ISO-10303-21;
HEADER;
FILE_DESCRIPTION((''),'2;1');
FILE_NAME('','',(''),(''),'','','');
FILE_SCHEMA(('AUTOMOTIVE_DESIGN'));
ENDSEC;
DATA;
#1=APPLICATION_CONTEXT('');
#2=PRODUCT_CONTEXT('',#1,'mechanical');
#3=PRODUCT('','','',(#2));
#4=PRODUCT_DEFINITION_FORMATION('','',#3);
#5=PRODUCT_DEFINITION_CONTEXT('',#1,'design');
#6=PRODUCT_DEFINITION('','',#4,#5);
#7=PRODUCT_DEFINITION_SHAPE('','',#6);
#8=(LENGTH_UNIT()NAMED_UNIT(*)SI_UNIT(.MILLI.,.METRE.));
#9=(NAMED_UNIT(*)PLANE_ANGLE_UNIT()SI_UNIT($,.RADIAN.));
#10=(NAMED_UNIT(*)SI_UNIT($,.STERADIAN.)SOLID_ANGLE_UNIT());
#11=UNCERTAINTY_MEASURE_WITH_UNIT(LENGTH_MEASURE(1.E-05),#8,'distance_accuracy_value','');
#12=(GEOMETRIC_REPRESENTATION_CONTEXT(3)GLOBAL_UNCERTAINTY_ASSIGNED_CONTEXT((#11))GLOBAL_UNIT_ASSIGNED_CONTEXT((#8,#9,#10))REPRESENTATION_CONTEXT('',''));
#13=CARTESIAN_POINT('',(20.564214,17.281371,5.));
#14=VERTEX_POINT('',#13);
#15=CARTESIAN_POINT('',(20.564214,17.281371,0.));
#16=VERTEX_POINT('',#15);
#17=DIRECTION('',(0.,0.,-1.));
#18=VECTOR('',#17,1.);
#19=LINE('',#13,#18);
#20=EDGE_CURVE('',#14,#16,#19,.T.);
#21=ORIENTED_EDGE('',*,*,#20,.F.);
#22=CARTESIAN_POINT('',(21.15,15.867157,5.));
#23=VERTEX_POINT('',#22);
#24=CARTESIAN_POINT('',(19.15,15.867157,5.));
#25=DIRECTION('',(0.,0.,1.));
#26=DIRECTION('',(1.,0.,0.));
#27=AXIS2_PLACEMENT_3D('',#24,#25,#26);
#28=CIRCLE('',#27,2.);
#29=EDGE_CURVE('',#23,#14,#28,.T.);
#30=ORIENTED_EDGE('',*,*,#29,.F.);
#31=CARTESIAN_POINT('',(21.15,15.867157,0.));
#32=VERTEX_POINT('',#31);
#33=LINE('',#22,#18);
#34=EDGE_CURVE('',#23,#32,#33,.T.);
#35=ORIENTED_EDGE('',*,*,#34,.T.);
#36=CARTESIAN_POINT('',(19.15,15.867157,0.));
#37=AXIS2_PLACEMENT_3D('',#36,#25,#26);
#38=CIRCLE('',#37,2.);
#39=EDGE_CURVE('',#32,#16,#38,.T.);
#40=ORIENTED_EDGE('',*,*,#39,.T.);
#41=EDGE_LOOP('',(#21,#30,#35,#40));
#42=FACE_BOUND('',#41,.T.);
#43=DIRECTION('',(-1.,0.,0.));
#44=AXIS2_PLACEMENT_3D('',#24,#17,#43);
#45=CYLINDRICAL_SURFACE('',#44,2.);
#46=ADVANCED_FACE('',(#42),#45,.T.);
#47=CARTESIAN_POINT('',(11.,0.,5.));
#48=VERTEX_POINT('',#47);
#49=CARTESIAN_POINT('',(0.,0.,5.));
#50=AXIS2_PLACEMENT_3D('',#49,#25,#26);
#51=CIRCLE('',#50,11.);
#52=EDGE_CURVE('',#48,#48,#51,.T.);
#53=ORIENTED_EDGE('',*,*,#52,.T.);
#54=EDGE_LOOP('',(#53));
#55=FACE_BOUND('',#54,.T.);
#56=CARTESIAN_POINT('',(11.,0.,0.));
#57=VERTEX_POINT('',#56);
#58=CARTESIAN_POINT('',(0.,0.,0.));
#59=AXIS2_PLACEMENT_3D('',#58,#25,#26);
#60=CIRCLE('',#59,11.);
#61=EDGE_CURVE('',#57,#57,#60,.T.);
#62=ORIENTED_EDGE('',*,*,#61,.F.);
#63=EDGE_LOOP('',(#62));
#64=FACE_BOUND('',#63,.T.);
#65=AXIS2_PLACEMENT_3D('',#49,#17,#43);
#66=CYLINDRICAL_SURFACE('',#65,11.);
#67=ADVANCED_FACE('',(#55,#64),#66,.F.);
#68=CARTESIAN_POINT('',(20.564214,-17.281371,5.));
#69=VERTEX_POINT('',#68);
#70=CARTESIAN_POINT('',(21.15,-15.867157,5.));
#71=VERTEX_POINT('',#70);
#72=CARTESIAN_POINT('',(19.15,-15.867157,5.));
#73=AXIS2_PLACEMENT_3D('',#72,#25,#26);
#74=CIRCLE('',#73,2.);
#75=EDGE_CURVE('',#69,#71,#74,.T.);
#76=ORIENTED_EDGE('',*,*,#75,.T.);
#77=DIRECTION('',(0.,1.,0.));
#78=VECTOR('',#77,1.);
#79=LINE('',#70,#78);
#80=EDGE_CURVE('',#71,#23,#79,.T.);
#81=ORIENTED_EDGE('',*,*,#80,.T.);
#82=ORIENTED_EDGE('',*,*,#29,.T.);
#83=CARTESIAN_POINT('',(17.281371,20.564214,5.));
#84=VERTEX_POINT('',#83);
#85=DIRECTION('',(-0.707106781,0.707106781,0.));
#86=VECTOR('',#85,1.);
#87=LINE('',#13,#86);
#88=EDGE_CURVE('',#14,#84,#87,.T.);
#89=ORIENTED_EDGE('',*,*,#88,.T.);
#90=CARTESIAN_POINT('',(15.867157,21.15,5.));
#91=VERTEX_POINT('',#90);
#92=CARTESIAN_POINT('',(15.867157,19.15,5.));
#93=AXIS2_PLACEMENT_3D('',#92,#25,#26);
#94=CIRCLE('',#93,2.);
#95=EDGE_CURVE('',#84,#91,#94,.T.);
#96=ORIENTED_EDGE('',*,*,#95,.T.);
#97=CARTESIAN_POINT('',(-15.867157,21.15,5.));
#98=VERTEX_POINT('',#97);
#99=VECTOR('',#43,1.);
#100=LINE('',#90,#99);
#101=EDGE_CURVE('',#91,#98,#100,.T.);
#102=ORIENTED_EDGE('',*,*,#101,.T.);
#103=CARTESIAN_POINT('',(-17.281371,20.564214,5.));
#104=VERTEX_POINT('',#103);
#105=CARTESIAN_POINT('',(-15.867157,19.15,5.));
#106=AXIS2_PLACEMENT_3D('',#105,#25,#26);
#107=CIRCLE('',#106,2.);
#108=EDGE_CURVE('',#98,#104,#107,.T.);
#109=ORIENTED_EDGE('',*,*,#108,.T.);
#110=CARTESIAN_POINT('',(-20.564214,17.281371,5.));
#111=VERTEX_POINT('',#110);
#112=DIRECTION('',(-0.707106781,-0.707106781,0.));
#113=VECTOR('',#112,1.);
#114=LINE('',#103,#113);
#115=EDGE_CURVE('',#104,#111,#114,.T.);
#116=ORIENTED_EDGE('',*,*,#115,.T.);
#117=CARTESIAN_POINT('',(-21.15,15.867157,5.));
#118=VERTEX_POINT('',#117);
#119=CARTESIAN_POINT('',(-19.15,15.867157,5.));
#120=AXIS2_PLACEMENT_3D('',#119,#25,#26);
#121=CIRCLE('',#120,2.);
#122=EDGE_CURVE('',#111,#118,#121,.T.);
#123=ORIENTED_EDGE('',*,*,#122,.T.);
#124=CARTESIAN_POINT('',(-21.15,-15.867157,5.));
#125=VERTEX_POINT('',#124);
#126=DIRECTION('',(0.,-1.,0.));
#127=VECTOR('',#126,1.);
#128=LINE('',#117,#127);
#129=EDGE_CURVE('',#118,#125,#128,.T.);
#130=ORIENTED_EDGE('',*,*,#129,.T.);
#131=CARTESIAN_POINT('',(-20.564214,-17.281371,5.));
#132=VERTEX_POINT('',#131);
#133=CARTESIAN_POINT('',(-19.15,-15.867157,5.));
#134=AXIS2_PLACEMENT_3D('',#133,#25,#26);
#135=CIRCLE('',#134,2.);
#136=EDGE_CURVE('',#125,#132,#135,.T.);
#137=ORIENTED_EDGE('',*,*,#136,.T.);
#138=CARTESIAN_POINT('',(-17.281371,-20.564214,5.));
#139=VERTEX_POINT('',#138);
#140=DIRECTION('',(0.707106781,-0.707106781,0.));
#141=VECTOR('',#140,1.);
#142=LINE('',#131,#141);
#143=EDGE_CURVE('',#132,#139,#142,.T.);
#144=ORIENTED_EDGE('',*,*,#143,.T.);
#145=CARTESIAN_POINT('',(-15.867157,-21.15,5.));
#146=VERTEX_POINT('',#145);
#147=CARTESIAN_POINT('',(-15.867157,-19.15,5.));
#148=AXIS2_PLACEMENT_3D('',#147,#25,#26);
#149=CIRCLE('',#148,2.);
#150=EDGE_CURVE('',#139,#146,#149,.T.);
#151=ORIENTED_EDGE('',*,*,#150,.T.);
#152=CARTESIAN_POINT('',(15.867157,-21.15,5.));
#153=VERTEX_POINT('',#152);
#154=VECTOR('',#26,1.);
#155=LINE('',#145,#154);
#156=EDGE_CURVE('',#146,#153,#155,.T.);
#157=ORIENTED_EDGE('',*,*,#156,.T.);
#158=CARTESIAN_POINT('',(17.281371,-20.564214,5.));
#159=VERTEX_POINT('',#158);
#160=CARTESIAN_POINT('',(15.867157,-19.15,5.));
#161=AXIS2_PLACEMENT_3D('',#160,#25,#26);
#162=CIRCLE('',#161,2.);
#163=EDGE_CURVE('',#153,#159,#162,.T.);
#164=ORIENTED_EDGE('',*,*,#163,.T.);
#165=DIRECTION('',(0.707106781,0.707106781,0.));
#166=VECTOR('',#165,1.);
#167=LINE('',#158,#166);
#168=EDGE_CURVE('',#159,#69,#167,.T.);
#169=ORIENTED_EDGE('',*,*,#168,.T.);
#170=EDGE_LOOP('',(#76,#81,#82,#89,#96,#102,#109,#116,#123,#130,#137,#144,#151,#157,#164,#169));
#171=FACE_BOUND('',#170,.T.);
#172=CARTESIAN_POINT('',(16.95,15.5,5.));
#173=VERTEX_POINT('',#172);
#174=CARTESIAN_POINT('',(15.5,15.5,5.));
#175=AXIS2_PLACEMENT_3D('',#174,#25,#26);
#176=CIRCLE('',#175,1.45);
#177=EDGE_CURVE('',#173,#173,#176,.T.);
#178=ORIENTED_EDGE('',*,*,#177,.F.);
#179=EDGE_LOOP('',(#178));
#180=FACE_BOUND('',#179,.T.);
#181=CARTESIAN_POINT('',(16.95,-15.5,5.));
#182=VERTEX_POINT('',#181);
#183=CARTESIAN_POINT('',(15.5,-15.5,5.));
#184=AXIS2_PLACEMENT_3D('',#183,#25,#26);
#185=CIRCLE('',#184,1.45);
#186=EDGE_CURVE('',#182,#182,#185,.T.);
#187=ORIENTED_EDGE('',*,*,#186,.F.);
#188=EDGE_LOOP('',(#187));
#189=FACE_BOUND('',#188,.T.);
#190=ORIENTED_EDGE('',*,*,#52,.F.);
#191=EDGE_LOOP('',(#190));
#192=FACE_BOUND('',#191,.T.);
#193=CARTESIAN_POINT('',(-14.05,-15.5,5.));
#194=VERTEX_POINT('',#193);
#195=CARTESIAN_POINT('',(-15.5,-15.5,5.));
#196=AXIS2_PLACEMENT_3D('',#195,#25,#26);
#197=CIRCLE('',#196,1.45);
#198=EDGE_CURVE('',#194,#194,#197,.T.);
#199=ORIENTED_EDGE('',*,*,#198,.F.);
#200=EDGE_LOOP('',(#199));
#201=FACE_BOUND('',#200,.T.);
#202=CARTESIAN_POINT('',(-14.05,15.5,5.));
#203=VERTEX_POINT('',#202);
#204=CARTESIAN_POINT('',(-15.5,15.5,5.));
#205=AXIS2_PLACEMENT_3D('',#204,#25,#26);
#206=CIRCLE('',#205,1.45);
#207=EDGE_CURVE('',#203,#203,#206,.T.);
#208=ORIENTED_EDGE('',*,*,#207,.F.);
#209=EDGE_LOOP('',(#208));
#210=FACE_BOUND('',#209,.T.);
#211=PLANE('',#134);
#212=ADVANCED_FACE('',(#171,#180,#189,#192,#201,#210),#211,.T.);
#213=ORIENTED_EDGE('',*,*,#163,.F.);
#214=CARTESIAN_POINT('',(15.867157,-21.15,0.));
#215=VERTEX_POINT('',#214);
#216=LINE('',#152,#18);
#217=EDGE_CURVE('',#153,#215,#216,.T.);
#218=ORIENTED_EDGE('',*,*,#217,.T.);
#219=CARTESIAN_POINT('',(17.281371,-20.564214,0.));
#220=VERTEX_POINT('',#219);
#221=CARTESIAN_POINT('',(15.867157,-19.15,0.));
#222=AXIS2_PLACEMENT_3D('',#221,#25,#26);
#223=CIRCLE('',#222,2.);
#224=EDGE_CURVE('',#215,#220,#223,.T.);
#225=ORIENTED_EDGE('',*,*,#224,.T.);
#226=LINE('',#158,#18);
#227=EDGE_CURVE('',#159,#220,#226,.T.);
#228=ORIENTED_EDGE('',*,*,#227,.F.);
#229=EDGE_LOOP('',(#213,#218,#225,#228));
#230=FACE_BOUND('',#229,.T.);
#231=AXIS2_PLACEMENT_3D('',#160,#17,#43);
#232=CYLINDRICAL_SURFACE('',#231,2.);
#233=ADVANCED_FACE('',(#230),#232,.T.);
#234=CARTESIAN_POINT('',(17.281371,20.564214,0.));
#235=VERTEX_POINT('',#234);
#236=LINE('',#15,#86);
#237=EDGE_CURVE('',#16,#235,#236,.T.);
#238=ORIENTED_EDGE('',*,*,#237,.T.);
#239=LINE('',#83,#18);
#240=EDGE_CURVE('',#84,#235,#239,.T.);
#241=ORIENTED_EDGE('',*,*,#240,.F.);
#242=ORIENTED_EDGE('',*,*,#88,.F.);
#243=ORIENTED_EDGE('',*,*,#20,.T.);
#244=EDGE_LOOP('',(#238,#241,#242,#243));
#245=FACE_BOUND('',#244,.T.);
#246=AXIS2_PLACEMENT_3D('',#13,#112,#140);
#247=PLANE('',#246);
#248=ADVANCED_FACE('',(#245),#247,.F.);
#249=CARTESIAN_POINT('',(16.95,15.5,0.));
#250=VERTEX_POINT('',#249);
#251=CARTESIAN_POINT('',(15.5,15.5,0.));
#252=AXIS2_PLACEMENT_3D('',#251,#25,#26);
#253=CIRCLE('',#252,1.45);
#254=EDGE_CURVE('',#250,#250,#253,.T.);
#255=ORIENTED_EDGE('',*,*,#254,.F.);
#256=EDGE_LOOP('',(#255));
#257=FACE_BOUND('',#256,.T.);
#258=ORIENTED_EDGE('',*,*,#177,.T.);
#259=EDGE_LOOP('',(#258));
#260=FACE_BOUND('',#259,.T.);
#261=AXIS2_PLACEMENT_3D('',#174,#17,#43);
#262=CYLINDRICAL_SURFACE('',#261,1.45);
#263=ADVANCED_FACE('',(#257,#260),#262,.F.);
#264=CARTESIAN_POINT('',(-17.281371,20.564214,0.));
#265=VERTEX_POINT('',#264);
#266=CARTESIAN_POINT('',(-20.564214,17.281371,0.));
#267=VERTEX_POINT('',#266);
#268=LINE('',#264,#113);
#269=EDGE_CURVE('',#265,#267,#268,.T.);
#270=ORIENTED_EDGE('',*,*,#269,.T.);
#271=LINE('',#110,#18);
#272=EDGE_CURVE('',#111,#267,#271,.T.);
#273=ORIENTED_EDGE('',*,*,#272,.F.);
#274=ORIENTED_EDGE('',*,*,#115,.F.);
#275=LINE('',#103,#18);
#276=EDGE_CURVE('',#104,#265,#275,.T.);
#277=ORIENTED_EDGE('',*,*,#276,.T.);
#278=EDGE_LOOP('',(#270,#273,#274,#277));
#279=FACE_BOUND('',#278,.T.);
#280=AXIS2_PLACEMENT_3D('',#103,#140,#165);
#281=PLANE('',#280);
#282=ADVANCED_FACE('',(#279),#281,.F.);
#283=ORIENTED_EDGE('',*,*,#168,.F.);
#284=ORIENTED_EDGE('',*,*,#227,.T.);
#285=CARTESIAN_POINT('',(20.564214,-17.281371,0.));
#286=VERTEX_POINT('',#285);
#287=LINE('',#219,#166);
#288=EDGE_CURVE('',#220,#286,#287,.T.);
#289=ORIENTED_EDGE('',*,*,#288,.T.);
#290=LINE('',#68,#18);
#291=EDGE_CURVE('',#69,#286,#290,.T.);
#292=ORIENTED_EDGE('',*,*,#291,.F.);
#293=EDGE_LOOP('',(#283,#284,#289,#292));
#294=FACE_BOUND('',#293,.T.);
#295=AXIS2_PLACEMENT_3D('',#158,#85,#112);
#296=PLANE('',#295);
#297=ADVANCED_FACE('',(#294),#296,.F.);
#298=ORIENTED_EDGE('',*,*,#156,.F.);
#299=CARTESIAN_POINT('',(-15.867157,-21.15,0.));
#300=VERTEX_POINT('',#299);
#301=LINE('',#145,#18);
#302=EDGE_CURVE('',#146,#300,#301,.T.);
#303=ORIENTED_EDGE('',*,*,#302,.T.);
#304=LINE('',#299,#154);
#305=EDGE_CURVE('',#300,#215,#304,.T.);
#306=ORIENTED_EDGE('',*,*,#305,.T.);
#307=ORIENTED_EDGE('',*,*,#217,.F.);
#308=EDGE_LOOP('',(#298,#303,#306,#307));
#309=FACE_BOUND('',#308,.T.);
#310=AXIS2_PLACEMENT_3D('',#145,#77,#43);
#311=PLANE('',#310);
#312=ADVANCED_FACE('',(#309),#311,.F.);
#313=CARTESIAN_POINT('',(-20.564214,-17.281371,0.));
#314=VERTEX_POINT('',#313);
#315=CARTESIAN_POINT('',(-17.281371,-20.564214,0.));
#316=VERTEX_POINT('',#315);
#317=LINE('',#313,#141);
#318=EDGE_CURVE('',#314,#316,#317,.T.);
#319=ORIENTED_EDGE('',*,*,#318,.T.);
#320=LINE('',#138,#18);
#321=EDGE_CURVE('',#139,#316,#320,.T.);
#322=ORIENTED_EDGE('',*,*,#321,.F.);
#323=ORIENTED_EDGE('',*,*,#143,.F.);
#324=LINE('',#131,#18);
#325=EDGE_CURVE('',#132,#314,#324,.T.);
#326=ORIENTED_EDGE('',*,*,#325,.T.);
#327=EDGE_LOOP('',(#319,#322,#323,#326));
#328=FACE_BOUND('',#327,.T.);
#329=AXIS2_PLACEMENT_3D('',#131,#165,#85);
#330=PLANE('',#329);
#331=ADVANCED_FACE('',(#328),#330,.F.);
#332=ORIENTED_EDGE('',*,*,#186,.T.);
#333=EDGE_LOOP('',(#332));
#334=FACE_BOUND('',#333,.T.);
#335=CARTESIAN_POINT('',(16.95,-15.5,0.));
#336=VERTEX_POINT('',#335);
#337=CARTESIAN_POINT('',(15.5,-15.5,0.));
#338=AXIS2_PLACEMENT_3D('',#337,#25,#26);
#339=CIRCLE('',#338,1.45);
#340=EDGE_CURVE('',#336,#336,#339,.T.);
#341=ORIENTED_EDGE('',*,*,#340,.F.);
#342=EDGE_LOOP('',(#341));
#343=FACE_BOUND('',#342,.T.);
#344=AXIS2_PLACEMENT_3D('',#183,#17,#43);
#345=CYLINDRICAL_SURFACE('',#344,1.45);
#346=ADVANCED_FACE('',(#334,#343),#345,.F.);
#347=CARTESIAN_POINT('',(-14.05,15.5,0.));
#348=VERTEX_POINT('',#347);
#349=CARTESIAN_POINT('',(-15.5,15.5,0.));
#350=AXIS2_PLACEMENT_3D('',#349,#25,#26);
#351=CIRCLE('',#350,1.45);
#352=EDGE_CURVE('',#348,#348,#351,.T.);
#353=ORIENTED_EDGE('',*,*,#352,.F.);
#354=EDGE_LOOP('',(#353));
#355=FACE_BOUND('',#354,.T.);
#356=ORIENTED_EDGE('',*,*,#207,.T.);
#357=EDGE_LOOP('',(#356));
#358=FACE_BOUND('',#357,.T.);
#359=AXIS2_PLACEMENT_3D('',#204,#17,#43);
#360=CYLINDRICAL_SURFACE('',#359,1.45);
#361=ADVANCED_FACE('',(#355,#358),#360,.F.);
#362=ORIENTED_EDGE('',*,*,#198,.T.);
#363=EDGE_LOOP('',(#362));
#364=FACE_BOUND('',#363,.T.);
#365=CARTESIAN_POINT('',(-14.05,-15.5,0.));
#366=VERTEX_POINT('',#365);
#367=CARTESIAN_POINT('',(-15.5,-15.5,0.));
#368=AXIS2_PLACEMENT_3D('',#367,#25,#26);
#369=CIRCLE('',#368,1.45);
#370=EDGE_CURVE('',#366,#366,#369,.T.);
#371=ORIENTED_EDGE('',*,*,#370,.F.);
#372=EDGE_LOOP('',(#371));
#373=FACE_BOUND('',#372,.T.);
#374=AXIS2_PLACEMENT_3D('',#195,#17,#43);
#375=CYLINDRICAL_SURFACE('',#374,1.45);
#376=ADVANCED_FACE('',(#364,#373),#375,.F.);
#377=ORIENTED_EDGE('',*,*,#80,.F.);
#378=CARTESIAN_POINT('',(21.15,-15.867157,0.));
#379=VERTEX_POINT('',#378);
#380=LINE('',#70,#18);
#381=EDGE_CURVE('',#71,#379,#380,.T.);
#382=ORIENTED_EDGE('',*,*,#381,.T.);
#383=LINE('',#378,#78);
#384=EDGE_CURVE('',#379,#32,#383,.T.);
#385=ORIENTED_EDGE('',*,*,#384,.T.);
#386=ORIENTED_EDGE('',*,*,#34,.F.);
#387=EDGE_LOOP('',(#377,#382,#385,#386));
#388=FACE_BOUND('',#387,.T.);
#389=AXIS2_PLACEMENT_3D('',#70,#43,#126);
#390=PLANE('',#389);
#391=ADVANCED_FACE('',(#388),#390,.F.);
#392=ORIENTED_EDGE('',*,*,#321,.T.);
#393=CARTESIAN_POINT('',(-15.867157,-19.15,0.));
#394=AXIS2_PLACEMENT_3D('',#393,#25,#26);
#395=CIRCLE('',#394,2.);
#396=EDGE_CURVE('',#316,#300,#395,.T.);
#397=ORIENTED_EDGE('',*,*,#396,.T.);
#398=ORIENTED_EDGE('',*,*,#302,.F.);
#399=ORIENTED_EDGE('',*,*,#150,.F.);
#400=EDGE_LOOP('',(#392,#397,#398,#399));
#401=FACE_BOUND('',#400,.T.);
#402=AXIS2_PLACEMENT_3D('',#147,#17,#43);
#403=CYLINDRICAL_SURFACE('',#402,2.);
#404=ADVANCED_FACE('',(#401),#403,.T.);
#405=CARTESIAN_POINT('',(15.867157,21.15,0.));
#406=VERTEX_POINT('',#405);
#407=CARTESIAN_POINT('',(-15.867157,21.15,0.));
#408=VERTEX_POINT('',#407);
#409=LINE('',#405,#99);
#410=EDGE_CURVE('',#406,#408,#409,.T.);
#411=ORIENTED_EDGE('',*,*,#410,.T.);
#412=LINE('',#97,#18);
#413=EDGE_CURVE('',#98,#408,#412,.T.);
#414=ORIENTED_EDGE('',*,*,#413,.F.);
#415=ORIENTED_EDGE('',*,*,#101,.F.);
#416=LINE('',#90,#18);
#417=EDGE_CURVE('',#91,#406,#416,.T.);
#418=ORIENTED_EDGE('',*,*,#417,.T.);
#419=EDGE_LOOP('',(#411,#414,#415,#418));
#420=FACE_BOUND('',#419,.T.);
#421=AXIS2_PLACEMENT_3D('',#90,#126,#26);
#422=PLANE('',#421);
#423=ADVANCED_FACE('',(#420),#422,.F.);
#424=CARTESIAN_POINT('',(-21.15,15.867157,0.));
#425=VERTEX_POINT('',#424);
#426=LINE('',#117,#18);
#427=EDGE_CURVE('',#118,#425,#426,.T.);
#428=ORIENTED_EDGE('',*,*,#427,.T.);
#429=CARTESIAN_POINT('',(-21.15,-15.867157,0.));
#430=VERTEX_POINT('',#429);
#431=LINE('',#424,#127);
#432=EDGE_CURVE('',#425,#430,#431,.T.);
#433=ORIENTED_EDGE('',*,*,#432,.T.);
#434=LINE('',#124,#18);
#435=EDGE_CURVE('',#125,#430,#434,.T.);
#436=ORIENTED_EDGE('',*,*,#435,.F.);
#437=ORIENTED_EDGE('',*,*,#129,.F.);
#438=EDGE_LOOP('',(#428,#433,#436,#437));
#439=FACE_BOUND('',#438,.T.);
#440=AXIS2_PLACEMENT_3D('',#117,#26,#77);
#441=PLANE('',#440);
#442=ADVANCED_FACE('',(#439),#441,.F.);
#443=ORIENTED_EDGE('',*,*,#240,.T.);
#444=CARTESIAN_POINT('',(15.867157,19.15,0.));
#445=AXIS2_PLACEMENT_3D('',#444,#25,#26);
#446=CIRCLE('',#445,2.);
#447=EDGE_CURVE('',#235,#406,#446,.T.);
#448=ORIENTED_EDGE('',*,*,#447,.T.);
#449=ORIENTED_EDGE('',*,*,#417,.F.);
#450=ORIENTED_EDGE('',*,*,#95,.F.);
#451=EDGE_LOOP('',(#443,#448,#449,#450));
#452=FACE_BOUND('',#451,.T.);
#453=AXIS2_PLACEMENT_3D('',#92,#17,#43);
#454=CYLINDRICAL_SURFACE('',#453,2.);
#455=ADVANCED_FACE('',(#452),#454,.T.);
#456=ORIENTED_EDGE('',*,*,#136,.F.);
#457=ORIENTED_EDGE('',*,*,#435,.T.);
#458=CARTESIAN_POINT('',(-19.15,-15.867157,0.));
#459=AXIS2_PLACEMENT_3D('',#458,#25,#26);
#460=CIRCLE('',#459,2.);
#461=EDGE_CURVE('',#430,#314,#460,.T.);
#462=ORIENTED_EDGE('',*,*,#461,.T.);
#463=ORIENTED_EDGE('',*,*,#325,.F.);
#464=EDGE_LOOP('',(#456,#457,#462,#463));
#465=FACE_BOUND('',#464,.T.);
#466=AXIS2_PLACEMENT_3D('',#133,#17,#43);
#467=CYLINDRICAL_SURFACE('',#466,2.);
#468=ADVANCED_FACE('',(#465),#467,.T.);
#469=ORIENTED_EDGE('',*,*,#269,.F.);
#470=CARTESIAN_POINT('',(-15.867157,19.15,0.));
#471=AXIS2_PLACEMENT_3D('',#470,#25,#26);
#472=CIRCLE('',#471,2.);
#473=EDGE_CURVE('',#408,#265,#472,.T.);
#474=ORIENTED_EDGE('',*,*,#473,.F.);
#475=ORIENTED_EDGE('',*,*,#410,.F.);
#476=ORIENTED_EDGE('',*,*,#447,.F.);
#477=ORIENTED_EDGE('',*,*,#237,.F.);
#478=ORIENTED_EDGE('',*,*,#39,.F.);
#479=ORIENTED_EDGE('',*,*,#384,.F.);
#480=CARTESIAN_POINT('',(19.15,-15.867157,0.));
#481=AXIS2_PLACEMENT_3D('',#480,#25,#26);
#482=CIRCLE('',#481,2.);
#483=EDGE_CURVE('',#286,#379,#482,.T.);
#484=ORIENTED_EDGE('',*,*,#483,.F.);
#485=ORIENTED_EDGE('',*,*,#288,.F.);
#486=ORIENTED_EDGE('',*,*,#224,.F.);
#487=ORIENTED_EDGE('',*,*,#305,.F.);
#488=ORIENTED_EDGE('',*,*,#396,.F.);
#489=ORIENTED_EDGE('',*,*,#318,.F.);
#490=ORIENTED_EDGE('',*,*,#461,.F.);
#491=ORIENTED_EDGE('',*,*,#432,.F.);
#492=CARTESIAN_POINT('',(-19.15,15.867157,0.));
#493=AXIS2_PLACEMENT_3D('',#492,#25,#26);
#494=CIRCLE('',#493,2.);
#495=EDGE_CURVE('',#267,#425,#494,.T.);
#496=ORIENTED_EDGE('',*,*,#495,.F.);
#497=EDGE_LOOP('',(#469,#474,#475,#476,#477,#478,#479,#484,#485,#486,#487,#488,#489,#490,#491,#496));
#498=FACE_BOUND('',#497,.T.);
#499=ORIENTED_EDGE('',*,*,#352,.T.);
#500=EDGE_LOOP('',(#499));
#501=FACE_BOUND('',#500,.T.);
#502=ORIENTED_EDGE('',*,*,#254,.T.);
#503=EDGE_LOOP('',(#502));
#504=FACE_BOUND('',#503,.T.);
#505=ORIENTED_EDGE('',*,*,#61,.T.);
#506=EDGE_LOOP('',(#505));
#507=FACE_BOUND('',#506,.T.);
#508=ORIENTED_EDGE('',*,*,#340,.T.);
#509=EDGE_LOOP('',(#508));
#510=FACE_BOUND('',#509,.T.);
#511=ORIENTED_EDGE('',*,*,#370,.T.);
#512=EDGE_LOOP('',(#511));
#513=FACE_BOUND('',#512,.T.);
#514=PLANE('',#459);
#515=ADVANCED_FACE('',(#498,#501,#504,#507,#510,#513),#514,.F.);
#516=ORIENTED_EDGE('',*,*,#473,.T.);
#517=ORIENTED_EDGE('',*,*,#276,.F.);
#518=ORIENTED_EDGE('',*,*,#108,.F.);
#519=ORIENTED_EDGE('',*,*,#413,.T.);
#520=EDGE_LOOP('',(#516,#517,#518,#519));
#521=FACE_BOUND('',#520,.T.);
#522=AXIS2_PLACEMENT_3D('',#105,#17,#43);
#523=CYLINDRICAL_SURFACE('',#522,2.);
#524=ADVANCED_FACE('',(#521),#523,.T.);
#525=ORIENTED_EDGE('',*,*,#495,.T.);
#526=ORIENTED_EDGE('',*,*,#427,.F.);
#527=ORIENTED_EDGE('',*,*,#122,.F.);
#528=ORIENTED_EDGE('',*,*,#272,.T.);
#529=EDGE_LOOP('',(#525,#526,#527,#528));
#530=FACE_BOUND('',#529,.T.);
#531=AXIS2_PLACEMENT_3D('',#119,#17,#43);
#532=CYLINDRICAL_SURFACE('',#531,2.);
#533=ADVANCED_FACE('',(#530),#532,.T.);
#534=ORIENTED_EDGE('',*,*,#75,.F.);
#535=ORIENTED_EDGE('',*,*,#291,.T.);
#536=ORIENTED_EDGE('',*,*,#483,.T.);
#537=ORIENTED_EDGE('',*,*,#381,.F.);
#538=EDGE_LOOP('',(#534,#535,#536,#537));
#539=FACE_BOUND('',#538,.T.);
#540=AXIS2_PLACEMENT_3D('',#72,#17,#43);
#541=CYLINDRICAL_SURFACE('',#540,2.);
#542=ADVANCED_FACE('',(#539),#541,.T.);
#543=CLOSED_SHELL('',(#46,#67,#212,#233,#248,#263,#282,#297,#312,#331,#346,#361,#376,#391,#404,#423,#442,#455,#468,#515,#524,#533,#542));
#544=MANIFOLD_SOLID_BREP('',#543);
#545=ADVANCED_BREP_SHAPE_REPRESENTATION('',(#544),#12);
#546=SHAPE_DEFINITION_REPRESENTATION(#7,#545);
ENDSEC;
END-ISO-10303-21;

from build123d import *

# Parameters (mm, degrees)
SKETCH1_R           = 1.45
SKETCH1_R_2         = 11
BOSS_EXTRUDE1_DEPTH = 5


with BuildPart() as part:
    # Sketch1 → Boss-Extrude1 (new body)
    with BuildSketch(Plane.XY):
        with BuildLine():
            Line((-20.564213562, -17.28137085), (-17.28137085, -20.564213562))
            ThreePointArc((-17.28137085, -20.564213562), (-16.632524152, -20.997759065), (-15.867157288, -21.15))
            Line((-15.867157288, -21.15), (15.867157288, -21.15))
            ThreePointArc((15.867157288, -21.15), (16.632524152, -20.997759065), (17.28137085, -20.564213562))
            Line((17.28137085, -20.564213562), (20.564213562, -17.28137085))
            ThreePointArc((20.564213562, -17.28137085), (20.997759065, -16.632524152), (21.15, -15.867157288))
            Line((21.15, -15.867157288), (21.15, 15.867157288))
            ThreePointArc((21.15, 15.867157288), (20.997759065, 16.632524152), (20.564213562, 17.28137085))
            Line((20.564213562, 17.28137085), (17.28137085, 20.564213562))
            ThreePointArc((17.28137085, 20.564213562), (16.632524152, 20.997759065), (15.867157288, 21.15))
            Line((15.867157288, 21.15), (-15.867157288, 21.15))
            ThreePointArc((-15.867157288, 21.15), (-16.632524152, 20.997759065), (-17.28137085, 20.564213562))
            Line((-17.28137085, 20.564213562), (-20.564213562, 17.28137085))
            ThreePointArc((-20.564213562, 17.28137085), (-20.997759065, 16.632524152), (-21.15, 15.867157288))
            Line((-21.15, 15.867157288), (-21.15, -15.867157288))
            ThreePointArc((-21.15, -15.867157288), (-20.997759065, -16.632524152), (-20.564213562, -17.28137085))
        make_face()
        with Locations((-15.5, 15.5)):
            Circle(SKETCH1_R, mode=Mode.SUBTRACT)
        with Locations((15.5, 15.5)):
            Circle(SKETCH1_R, mode=Mode.SUBTRACT)
        with Locations((15.5, -15.5)):
            Circle(SKETCH1_R, mode=Mode.SUBTRACT)
        with Locations((-15.5, -15.5)):
            Circle(SKETCH1_R, mode=Mode.SUBTRACT)
        Circle(SKETCH1_R_2, mode=Mode.SUBTRACT)
    extrude(amount=BOSS_EXTRUDE1_DEPTH)


solid = part.part
